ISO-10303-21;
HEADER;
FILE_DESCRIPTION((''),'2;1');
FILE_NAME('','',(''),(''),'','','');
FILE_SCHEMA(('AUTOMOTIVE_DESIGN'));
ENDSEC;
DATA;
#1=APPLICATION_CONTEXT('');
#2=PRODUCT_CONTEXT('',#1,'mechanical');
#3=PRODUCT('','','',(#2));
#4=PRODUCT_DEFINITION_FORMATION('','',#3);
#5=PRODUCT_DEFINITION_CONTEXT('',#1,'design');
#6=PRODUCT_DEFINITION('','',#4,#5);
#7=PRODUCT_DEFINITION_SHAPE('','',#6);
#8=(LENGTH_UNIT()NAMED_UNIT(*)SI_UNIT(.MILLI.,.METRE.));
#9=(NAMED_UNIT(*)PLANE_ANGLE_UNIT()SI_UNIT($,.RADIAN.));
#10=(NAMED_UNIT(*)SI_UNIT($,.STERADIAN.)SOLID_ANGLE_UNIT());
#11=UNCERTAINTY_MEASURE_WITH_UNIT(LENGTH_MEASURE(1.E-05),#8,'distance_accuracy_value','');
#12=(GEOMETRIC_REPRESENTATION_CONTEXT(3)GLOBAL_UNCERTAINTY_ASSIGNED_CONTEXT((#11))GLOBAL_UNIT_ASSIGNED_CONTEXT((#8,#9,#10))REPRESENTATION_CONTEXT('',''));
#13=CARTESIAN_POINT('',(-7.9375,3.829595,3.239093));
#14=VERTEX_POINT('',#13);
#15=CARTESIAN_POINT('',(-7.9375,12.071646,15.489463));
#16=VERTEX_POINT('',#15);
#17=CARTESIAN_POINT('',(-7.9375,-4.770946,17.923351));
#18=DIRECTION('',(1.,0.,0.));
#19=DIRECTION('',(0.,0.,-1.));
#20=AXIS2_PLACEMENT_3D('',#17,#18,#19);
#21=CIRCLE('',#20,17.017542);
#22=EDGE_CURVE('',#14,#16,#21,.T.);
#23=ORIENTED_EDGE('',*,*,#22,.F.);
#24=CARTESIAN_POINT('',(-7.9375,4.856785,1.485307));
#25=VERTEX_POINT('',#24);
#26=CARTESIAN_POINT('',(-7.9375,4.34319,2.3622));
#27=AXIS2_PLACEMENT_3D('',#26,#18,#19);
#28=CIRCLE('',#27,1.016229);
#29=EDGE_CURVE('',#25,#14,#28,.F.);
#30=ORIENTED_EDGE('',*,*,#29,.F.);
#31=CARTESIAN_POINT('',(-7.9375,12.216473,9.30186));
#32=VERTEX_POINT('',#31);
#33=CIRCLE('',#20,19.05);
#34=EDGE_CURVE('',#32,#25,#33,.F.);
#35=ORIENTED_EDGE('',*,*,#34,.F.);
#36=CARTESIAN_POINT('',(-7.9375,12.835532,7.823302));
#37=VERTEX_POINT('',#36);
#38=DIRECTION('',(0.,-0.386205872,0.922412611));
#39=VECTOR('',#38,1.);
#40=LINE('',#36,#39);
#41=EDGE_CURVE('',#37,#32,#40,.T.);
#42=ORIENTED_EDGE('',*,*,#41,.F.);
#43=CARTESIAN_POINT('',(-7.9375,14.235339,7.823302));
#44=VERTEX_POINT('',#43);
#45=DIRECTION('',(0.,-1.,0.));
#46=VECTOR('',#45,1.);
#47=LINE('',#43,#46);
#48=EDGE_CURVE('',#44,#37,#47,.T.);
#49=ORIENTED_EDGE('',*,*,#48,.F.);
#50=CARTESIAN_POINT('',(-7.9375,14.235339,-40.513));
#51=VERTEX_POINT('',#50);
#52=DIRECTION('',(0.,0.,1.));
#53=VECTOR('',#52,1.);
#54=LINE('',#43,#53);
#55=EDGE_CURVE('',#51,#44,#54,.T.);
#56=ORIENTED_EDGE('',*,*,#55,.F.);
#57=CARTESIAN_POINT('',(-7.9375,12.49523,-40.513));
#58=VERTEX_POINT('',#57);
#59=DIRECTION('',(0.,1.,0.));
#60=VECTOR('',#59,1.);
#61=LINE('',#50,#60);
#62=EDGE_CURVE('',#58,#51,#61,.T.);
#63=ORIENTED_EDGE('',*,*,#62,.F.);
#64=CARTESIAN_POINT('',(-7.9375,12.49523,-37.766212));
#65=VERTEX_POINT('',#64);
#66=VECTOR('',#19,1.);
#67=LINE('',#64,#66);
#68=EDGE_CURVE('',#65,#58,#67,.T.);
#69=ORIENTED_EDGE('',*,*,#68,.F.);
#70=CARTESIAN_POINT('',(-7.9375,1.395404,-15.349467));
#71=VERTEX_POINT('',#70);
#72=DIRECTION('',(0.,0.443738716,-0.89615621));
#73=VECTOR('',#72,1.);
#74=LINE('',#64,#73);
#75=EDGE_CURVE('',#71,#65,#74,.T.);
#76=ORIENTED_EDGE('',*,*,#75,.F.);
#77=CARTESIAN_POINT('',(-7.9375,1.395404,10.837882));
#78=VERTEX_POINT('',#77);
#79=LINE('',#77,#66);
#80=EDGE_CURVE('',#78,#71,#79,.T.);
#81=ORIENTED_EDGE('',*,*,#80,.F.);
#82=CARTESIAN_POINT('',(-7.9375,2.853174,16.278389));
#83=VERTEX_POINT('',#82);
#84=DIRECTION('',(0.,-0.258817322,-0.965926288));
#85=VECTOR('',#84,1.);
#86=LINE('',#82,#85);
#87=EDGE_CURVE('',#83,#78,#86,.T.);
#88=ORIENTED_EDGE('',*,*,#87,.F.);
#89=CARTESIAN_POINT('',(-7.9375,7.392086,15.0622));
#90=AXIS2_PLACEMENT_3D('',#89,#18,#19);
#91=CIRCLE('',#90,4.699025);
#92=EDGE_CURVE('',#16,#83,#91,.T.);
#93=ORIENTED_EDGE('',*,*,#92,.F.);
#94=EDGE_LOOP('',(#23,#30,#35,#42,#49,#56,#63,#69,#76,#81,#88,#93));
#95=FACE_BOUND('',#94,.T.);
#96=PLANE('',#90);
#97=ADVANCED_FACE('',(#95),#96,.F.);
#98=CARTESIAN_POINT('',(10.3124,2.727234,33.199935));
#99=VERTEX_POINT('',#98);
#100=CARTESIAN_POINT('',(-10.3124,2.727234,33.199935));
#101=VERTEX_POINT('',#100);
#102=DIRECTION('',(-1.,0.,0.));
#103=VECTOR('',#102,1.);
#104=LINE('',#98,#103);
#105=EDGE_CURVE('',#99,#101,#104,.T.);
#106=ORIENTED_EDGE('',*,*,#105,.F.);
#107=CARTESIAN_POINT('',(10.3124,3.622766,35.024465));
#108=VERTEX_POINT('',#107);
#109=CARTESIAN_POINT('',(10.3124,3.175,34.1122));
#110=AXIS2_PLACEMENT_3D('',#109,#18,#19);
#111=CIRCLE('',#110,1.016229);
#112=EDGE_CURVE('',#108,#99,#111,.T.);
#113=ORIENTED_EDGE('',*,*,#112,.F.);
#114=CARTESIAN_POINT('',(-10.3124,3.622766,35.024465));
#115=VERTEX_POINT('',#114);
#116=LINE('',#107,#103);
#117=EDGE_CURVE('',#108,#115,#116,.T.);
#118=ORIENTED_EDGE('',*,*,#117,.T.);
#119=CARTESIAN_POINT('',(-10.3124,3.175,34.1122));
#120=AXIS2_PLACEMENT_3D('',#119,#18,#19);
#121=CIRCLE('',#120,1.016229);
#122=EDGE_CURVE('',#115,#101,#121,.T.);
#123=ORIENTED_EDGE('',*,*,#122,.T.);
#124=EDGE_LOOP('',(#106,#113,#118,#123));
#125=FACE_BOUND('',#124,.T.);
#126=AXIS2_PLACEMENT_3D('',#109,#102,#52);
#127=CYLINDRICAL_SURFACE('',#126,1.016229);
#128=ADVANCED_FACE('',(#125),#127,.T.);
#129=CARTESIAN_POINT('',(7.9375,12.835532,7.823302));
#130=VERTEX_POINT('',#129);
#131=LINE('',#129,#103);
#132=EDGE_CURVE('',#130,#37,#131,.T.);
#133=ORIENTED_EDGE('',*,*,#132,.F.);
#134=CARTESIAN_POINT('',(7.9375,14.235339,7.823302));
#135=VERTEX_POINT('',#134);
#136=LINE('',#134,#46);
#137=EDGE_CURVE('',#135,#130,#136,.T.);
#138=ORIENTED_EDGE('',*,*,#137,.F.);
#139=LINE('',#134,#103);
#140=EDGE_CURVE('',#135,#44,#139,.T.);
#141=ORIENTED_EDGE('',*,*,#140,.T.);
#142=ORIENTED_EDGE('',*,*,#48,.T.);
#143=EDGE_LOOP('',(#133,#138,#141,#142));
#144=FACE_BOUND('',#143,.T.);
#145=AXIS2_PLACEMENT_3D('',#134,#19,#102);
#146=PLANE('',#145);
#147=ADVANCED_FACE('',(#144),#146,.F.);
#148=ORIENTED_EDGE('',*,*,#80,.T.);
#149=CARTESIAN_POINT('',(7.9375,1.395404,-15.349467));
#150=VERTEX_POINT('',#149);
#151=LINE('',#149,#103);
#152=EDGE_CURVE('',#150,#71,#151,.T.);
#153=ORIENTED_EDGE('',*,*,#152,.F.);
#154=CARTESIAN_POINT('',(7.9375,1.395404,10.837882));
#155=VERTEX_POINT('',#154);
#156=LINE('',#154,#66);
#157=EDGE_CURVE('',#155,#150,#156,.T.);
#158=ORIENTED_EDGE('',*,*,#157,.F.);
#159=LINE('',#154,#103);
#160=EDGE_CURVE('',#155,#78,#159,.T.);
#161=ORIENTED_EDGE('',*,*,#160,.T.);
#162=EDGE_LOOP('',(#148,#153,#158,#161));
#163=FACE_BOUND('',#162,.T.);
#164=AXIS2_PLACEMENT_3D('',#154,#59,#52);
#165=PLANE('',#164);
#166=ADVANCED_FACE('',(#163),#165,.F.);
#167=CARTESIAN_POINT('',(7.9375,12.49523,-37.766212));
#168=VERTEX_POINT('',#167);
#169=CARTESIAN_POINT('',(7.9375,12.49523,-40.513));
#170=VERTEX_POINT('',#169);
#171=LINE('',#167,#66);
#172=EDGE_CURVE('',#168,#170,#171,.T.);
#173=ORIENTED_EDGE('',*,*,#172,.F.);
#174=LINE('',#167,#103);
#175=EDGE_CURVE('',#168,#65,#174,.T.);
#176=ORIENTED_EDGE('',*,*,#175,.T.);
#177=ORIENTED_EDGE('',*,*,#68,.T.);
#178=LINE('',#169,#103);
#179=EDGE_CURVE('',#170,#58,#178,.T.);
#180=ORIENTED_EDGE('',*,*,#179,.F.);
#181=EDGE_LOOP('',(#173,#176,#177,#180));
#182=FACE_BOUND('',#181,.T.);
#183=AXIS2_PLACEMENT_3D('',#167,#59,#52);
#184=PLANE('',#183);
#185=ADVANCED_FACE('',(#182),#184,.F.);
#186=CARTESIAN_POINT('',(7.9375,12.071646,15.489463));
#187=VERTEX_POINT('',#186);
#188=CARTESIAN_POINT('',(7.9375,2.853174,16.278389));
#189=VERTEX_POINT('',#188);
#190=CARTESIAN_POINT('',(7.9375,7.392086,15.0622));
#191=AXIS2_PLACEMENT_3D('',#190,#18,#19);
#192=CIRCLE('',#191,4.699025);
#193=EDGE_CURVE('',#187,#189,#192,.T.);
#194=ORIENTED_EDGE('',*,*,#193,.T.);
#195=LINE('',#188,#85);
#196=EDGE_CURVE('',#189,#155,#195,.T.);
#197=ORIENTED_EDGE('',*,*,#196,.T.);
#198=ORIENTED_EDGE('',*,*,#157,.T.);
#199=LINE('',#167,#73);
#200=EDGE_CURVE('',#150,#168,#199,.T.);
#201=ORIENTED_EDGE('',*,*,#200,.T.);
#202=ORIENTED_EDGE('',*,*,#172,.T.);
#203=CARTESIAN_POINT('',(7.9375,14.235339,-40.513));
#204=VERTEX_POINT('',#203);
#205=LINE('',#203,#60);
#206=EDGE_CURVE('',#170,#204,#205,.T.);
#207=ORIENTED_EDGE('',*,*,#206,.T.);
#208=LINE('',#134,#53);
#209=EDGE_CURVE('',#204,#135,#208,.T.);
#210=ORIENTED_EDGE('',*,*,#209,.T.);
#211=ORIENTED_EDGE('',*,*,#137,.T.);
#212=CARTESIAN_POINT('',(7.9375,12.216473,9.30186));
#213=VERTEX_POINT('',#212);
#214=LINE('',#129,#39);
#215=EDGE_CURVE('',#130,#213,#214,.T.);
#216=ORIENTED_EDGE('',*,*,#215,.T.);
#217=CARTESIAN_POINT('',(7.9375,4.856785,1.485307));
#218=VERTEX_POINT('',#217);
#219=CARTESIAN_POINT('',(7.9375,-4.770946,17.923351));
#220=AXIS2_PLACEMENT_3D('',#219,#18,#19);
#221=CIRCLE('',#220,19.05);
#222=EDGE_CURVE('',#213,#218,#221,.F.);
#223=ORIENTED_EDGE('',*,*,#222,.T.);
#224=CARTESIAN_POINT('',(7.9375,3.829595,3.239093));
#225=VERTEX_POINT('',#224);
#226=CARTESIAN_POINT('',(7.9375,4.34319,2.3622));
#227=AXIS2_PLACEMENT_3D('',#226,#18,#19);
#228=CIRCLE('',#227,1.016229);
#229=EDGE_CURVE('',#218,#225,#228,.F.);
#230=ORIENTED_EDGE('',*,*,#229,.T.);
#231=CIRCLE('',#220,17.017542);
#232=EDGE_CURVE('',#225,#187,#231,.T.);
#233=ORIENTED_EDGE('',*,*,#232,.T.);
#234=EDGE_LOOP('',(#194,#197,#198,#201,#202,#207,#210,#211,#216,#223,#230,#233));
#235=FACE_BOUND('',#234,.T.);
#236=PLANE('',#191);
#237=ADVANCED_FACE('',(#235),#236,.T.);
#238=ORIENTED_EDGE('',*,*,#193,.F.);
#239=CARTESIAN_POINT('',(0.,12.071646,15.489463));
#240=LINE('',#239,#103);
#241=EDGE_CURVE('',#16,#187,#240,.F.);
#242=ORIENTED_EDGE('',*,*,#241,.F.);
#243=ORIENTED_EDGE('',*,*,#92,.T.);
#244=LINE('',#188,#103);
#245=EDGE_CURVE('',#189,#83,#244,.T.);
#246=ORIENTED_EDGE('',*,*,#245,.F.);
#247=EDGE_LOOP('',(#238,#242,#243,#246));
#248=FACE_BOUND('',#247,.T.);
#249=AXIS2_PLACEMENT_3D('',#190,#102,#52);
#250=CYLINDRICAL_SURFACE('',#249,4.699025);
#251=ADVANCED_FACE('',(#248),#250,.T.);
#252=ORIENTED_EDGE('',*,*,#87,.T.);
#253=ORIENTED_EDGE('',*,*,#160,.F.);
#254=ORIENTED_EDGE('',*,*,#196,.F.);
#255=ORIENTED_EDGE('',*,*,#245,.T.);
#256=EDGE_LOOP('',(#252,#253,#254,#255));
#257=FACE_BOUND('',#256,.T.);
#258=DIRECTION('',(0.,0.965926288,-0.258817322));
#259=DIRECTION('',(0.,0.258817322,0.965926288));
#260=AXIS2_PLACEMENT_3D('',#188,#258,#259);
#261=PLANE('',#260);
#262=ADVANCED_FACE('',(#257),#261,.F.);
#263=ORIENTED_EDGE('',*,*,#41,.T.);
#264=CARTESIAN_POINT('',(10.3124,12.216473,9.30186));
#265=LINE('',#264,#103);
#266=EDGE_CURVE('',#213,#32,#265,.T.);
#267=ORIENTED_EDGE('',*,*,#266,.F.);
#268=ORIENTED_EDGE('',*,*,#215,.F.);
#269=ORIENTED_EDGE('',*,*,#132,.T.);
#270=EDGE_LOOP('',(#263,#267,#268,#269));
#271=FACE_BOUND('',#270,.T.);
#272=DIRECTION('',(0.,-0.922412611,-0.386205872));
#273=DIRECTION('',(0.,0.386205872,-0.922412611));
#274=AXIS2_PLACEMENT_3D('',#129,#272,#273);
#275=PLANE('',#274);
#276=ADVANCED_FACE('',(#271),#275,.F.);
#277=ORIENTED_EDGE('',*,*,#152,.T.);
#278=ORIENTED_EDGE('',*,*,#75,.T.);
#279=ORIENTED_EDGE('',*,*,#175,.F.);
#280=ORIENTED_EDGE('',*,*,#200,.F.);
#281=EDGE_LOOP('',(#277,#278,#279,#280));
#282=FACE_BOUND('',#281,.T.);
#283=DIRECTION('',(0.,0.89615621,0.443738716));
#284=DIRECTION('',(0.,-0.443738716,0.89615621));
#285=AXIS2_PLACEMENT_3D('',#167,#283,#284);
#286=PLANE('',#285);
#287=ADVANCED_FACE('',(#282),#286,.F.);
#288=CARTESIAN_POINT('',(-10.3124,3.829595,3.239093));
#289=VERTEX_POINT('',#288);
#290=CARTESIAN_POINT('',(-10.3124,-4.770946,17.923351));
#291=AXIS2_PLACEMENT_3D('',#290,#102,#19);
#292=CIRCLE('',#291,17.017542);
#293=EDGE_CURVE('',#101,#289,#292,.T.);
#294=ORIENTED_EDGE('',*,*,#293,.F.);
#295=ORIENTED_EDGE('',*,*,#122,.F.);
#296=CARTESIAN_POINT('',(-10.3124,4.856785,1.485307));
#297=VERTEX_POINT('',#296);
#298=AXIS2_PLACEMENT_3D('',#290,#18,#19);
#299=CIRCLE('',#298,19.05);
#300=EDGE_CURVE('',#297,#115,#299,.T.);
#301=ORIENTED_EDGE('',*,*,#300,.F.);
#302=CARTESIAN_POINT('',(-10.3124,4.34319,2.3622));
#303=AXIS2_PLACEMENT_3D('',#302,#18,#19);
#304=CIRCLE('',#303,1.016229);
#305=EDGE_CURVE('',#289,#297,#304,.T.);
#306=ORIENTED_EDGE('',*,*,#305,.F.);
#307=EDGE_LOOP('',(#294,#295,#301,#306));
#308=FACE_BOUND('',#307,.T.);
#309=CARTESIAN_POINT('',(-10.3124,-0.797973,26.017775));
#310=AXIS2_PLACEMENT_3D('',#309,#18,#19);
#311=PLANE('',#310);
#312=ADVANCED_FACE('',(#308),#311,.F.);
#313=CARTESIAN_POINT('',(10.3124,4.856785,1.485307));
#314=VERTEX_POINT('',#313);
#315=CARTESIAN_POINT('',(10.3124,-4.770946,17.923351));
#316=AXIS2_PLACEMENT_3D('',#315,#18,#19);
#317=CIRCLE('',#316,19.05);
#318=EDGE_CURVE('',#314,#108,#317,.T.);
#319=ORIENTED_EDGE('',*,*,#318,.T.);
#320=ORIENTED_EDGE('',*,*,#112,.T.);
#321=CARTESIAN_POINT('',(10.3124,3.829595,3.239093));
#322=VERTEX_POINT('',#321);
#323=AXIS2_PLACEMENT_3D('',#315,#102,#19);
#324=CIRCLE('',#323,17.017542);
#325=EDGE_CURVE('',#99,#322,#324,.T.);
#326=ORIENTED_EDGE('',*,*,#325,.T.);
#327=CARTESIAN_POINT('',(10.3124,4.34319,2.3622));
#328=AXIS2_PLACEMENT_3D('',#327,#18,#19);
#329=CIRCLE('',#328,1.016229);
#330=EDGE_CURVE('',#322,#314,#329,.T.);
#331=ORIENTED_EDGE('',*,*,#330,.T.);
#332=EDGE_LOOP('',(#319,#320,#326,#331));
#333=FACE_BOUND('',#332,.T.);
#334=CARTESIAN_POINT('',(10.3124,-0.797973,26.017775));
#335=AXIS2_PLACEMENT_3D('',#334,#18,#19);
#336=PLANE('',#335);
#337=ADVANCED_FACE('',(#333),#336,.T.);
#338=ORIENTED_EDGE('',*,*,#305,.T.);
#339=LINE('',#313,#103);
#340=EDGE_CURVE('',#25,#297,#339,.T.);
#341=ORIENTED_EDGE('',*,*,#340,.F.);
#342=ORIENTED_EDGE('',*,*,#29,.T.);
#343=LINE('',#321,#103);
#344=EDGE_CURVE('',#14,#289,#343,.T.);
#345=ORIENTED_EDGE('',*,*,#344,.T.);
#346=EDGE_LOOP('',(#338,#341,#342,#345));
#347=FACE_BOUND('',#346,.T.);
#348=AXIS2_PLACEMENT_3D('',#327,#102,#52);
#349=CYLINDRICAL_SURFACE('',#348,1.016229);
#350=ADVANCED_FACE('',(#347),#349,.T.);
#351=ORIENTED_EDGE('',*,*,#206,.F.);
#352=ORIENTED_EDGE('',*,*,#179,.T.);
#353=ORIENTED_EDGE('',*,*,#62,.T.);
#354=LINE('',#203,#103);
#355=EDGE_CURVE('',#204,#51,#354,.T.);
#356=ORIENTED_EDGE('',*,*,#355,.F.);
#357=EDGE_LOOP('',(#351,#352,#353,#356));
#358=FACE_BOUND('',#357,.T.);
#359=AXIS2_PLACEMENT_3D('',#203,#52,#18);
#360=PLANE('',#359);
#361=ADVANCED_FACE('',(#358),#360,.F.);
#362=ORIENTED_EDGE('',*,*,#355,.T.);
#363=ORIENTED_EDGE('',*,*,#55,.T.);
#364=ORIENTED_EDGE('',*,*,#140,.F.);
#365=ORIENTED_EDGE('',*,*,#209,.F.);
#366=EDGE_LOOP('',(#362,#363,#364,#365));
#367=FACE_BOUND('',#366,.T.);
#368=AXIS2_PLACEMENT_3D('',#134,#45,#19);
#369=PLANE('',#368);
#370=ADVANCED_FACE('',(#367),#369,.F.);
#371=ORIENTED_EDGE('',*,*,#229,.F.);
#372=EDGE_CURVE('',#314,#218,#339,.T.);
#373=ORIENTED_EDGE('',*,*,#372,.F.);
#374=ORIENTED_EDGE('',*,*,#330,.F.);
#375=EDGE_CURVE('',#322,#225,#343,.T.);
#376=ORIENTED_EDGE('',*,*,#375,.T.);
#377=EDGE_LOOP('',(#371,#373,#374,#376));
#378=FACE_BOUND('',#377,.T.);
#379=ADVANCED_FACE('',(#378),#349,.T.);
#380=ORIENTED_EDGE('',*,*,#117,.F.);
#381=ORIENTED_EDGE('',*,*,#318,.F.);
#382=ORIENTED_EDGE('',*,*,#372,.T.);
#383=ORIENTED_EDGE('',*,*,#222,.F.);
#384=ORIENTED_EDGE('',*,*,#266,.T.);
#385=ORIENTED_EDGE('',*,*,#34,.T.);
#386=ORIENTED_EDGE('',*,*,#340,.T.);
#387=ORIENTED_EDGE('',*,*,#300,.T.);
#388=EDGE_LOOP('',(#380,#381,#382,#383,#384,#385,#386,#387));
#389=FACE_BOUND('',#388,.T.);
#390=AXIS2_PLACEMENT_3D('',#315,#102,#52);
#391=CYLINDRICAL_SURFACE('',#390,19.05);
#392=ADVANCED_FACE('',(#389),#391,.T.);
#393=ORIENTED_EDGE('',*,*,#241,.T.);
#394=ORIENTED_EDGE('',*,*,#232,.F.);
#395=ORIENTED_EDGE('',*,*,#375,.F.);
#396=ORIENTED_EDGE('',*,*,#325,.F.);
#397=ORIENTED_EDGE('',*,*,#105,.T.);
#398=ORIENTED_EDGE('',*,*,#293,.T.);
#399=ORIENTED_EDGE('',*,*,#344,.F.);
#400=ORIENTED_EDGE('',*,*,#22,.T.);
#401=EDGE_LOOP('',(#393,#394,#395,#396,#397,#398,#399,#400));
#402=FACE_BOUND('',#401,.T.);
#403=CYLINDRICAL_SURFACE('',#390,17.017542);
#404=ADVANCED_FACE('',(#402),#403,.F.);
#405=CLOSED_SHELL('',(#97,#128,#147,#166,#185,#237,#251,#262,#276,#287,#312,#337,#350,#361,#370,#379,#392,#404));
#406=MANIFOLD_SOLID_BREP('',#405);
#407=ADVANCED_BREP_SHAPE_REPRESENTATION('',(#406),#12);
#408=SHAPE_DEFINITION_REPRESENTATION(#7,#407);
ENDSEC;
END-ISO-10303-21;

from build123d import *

# Parameters (mm, degrees)
BOSS_EXTRUDE1_DEPTH = 7.9375
BOSS_EXTRUDE2_DEPTH = 10.3124


with BuildPart() as part:
    # Sketch3 → Boss-Extrude1 (new, symmetric)
    with BuildSketch(Plane(origin=(0, 0, 0), x_dir=(0, 0, -1), z_dir=(1, 0, 0))):
        with BuildLine():
            Line((40.513, 14.235338715), (40.513, 12.495229879))
            Line((40.513, 12.495229879), (37.766212018, 12.495229879))
            Line((37.766212018, 12.495229879), (15.349467418, 1.395404479))
            Line((15.349467418, 1.395404479), (-10.837881782, 1.395404479))
            Line((-10.837881782, 1.395404479), (-16.27838917, 2.853173638))
            ThreePointArc((-16.27838917, 2.853173638), (-19.721025133, 8.005427537), (-15.0622, 12.0911112))
            Line((-15.0622, 12.0911112), (-9.601272901, 12.0911112))
            Line((-9.601272901, 12.0911112), (-7.8233016, 12.835531808))
            Line((-7.8233016, 12.835531808), (-7.8233016, 14.235338715))
            Line((-7.8233016, 14.235338715), (40.513, 14.235338715))
        make_face()
    extrude(amount=BOSS_EXTRUDE1_DEPTH, both=True)

    # Sketch4 → Boss-Extrude2 (add, symmetric)
    with BuildSketch(Plane(origin=(0, 0, 0), x_dir=(0, 0, -1), z_dir=(1, 0, 0))):
        with BuildLine():
            ThreePointArc((-3.239093433, 3.82959498), (-1.848605226, 3.466296321), (-1.485306567, 4.856784528))
            ThreePointArc((-1.485306567, 4.856784528), (-18.623790881, 14.266172543), (-35.024465128, 3.622765587))
            ThreePointArc((-35.024465128, 3.622765587), (-34.559965587, 2.262734872), (-33.199934872, 2.727234413))
            ThreePointArc((-33.199934872, 2.727234413), (-18.549060441, 12.235088571), (-3.239093433, 3.82959498))
        make_face()
    extrude(amount=BOSS_EXTRUDE2_DEPTH, both=True)


solid = part.part
